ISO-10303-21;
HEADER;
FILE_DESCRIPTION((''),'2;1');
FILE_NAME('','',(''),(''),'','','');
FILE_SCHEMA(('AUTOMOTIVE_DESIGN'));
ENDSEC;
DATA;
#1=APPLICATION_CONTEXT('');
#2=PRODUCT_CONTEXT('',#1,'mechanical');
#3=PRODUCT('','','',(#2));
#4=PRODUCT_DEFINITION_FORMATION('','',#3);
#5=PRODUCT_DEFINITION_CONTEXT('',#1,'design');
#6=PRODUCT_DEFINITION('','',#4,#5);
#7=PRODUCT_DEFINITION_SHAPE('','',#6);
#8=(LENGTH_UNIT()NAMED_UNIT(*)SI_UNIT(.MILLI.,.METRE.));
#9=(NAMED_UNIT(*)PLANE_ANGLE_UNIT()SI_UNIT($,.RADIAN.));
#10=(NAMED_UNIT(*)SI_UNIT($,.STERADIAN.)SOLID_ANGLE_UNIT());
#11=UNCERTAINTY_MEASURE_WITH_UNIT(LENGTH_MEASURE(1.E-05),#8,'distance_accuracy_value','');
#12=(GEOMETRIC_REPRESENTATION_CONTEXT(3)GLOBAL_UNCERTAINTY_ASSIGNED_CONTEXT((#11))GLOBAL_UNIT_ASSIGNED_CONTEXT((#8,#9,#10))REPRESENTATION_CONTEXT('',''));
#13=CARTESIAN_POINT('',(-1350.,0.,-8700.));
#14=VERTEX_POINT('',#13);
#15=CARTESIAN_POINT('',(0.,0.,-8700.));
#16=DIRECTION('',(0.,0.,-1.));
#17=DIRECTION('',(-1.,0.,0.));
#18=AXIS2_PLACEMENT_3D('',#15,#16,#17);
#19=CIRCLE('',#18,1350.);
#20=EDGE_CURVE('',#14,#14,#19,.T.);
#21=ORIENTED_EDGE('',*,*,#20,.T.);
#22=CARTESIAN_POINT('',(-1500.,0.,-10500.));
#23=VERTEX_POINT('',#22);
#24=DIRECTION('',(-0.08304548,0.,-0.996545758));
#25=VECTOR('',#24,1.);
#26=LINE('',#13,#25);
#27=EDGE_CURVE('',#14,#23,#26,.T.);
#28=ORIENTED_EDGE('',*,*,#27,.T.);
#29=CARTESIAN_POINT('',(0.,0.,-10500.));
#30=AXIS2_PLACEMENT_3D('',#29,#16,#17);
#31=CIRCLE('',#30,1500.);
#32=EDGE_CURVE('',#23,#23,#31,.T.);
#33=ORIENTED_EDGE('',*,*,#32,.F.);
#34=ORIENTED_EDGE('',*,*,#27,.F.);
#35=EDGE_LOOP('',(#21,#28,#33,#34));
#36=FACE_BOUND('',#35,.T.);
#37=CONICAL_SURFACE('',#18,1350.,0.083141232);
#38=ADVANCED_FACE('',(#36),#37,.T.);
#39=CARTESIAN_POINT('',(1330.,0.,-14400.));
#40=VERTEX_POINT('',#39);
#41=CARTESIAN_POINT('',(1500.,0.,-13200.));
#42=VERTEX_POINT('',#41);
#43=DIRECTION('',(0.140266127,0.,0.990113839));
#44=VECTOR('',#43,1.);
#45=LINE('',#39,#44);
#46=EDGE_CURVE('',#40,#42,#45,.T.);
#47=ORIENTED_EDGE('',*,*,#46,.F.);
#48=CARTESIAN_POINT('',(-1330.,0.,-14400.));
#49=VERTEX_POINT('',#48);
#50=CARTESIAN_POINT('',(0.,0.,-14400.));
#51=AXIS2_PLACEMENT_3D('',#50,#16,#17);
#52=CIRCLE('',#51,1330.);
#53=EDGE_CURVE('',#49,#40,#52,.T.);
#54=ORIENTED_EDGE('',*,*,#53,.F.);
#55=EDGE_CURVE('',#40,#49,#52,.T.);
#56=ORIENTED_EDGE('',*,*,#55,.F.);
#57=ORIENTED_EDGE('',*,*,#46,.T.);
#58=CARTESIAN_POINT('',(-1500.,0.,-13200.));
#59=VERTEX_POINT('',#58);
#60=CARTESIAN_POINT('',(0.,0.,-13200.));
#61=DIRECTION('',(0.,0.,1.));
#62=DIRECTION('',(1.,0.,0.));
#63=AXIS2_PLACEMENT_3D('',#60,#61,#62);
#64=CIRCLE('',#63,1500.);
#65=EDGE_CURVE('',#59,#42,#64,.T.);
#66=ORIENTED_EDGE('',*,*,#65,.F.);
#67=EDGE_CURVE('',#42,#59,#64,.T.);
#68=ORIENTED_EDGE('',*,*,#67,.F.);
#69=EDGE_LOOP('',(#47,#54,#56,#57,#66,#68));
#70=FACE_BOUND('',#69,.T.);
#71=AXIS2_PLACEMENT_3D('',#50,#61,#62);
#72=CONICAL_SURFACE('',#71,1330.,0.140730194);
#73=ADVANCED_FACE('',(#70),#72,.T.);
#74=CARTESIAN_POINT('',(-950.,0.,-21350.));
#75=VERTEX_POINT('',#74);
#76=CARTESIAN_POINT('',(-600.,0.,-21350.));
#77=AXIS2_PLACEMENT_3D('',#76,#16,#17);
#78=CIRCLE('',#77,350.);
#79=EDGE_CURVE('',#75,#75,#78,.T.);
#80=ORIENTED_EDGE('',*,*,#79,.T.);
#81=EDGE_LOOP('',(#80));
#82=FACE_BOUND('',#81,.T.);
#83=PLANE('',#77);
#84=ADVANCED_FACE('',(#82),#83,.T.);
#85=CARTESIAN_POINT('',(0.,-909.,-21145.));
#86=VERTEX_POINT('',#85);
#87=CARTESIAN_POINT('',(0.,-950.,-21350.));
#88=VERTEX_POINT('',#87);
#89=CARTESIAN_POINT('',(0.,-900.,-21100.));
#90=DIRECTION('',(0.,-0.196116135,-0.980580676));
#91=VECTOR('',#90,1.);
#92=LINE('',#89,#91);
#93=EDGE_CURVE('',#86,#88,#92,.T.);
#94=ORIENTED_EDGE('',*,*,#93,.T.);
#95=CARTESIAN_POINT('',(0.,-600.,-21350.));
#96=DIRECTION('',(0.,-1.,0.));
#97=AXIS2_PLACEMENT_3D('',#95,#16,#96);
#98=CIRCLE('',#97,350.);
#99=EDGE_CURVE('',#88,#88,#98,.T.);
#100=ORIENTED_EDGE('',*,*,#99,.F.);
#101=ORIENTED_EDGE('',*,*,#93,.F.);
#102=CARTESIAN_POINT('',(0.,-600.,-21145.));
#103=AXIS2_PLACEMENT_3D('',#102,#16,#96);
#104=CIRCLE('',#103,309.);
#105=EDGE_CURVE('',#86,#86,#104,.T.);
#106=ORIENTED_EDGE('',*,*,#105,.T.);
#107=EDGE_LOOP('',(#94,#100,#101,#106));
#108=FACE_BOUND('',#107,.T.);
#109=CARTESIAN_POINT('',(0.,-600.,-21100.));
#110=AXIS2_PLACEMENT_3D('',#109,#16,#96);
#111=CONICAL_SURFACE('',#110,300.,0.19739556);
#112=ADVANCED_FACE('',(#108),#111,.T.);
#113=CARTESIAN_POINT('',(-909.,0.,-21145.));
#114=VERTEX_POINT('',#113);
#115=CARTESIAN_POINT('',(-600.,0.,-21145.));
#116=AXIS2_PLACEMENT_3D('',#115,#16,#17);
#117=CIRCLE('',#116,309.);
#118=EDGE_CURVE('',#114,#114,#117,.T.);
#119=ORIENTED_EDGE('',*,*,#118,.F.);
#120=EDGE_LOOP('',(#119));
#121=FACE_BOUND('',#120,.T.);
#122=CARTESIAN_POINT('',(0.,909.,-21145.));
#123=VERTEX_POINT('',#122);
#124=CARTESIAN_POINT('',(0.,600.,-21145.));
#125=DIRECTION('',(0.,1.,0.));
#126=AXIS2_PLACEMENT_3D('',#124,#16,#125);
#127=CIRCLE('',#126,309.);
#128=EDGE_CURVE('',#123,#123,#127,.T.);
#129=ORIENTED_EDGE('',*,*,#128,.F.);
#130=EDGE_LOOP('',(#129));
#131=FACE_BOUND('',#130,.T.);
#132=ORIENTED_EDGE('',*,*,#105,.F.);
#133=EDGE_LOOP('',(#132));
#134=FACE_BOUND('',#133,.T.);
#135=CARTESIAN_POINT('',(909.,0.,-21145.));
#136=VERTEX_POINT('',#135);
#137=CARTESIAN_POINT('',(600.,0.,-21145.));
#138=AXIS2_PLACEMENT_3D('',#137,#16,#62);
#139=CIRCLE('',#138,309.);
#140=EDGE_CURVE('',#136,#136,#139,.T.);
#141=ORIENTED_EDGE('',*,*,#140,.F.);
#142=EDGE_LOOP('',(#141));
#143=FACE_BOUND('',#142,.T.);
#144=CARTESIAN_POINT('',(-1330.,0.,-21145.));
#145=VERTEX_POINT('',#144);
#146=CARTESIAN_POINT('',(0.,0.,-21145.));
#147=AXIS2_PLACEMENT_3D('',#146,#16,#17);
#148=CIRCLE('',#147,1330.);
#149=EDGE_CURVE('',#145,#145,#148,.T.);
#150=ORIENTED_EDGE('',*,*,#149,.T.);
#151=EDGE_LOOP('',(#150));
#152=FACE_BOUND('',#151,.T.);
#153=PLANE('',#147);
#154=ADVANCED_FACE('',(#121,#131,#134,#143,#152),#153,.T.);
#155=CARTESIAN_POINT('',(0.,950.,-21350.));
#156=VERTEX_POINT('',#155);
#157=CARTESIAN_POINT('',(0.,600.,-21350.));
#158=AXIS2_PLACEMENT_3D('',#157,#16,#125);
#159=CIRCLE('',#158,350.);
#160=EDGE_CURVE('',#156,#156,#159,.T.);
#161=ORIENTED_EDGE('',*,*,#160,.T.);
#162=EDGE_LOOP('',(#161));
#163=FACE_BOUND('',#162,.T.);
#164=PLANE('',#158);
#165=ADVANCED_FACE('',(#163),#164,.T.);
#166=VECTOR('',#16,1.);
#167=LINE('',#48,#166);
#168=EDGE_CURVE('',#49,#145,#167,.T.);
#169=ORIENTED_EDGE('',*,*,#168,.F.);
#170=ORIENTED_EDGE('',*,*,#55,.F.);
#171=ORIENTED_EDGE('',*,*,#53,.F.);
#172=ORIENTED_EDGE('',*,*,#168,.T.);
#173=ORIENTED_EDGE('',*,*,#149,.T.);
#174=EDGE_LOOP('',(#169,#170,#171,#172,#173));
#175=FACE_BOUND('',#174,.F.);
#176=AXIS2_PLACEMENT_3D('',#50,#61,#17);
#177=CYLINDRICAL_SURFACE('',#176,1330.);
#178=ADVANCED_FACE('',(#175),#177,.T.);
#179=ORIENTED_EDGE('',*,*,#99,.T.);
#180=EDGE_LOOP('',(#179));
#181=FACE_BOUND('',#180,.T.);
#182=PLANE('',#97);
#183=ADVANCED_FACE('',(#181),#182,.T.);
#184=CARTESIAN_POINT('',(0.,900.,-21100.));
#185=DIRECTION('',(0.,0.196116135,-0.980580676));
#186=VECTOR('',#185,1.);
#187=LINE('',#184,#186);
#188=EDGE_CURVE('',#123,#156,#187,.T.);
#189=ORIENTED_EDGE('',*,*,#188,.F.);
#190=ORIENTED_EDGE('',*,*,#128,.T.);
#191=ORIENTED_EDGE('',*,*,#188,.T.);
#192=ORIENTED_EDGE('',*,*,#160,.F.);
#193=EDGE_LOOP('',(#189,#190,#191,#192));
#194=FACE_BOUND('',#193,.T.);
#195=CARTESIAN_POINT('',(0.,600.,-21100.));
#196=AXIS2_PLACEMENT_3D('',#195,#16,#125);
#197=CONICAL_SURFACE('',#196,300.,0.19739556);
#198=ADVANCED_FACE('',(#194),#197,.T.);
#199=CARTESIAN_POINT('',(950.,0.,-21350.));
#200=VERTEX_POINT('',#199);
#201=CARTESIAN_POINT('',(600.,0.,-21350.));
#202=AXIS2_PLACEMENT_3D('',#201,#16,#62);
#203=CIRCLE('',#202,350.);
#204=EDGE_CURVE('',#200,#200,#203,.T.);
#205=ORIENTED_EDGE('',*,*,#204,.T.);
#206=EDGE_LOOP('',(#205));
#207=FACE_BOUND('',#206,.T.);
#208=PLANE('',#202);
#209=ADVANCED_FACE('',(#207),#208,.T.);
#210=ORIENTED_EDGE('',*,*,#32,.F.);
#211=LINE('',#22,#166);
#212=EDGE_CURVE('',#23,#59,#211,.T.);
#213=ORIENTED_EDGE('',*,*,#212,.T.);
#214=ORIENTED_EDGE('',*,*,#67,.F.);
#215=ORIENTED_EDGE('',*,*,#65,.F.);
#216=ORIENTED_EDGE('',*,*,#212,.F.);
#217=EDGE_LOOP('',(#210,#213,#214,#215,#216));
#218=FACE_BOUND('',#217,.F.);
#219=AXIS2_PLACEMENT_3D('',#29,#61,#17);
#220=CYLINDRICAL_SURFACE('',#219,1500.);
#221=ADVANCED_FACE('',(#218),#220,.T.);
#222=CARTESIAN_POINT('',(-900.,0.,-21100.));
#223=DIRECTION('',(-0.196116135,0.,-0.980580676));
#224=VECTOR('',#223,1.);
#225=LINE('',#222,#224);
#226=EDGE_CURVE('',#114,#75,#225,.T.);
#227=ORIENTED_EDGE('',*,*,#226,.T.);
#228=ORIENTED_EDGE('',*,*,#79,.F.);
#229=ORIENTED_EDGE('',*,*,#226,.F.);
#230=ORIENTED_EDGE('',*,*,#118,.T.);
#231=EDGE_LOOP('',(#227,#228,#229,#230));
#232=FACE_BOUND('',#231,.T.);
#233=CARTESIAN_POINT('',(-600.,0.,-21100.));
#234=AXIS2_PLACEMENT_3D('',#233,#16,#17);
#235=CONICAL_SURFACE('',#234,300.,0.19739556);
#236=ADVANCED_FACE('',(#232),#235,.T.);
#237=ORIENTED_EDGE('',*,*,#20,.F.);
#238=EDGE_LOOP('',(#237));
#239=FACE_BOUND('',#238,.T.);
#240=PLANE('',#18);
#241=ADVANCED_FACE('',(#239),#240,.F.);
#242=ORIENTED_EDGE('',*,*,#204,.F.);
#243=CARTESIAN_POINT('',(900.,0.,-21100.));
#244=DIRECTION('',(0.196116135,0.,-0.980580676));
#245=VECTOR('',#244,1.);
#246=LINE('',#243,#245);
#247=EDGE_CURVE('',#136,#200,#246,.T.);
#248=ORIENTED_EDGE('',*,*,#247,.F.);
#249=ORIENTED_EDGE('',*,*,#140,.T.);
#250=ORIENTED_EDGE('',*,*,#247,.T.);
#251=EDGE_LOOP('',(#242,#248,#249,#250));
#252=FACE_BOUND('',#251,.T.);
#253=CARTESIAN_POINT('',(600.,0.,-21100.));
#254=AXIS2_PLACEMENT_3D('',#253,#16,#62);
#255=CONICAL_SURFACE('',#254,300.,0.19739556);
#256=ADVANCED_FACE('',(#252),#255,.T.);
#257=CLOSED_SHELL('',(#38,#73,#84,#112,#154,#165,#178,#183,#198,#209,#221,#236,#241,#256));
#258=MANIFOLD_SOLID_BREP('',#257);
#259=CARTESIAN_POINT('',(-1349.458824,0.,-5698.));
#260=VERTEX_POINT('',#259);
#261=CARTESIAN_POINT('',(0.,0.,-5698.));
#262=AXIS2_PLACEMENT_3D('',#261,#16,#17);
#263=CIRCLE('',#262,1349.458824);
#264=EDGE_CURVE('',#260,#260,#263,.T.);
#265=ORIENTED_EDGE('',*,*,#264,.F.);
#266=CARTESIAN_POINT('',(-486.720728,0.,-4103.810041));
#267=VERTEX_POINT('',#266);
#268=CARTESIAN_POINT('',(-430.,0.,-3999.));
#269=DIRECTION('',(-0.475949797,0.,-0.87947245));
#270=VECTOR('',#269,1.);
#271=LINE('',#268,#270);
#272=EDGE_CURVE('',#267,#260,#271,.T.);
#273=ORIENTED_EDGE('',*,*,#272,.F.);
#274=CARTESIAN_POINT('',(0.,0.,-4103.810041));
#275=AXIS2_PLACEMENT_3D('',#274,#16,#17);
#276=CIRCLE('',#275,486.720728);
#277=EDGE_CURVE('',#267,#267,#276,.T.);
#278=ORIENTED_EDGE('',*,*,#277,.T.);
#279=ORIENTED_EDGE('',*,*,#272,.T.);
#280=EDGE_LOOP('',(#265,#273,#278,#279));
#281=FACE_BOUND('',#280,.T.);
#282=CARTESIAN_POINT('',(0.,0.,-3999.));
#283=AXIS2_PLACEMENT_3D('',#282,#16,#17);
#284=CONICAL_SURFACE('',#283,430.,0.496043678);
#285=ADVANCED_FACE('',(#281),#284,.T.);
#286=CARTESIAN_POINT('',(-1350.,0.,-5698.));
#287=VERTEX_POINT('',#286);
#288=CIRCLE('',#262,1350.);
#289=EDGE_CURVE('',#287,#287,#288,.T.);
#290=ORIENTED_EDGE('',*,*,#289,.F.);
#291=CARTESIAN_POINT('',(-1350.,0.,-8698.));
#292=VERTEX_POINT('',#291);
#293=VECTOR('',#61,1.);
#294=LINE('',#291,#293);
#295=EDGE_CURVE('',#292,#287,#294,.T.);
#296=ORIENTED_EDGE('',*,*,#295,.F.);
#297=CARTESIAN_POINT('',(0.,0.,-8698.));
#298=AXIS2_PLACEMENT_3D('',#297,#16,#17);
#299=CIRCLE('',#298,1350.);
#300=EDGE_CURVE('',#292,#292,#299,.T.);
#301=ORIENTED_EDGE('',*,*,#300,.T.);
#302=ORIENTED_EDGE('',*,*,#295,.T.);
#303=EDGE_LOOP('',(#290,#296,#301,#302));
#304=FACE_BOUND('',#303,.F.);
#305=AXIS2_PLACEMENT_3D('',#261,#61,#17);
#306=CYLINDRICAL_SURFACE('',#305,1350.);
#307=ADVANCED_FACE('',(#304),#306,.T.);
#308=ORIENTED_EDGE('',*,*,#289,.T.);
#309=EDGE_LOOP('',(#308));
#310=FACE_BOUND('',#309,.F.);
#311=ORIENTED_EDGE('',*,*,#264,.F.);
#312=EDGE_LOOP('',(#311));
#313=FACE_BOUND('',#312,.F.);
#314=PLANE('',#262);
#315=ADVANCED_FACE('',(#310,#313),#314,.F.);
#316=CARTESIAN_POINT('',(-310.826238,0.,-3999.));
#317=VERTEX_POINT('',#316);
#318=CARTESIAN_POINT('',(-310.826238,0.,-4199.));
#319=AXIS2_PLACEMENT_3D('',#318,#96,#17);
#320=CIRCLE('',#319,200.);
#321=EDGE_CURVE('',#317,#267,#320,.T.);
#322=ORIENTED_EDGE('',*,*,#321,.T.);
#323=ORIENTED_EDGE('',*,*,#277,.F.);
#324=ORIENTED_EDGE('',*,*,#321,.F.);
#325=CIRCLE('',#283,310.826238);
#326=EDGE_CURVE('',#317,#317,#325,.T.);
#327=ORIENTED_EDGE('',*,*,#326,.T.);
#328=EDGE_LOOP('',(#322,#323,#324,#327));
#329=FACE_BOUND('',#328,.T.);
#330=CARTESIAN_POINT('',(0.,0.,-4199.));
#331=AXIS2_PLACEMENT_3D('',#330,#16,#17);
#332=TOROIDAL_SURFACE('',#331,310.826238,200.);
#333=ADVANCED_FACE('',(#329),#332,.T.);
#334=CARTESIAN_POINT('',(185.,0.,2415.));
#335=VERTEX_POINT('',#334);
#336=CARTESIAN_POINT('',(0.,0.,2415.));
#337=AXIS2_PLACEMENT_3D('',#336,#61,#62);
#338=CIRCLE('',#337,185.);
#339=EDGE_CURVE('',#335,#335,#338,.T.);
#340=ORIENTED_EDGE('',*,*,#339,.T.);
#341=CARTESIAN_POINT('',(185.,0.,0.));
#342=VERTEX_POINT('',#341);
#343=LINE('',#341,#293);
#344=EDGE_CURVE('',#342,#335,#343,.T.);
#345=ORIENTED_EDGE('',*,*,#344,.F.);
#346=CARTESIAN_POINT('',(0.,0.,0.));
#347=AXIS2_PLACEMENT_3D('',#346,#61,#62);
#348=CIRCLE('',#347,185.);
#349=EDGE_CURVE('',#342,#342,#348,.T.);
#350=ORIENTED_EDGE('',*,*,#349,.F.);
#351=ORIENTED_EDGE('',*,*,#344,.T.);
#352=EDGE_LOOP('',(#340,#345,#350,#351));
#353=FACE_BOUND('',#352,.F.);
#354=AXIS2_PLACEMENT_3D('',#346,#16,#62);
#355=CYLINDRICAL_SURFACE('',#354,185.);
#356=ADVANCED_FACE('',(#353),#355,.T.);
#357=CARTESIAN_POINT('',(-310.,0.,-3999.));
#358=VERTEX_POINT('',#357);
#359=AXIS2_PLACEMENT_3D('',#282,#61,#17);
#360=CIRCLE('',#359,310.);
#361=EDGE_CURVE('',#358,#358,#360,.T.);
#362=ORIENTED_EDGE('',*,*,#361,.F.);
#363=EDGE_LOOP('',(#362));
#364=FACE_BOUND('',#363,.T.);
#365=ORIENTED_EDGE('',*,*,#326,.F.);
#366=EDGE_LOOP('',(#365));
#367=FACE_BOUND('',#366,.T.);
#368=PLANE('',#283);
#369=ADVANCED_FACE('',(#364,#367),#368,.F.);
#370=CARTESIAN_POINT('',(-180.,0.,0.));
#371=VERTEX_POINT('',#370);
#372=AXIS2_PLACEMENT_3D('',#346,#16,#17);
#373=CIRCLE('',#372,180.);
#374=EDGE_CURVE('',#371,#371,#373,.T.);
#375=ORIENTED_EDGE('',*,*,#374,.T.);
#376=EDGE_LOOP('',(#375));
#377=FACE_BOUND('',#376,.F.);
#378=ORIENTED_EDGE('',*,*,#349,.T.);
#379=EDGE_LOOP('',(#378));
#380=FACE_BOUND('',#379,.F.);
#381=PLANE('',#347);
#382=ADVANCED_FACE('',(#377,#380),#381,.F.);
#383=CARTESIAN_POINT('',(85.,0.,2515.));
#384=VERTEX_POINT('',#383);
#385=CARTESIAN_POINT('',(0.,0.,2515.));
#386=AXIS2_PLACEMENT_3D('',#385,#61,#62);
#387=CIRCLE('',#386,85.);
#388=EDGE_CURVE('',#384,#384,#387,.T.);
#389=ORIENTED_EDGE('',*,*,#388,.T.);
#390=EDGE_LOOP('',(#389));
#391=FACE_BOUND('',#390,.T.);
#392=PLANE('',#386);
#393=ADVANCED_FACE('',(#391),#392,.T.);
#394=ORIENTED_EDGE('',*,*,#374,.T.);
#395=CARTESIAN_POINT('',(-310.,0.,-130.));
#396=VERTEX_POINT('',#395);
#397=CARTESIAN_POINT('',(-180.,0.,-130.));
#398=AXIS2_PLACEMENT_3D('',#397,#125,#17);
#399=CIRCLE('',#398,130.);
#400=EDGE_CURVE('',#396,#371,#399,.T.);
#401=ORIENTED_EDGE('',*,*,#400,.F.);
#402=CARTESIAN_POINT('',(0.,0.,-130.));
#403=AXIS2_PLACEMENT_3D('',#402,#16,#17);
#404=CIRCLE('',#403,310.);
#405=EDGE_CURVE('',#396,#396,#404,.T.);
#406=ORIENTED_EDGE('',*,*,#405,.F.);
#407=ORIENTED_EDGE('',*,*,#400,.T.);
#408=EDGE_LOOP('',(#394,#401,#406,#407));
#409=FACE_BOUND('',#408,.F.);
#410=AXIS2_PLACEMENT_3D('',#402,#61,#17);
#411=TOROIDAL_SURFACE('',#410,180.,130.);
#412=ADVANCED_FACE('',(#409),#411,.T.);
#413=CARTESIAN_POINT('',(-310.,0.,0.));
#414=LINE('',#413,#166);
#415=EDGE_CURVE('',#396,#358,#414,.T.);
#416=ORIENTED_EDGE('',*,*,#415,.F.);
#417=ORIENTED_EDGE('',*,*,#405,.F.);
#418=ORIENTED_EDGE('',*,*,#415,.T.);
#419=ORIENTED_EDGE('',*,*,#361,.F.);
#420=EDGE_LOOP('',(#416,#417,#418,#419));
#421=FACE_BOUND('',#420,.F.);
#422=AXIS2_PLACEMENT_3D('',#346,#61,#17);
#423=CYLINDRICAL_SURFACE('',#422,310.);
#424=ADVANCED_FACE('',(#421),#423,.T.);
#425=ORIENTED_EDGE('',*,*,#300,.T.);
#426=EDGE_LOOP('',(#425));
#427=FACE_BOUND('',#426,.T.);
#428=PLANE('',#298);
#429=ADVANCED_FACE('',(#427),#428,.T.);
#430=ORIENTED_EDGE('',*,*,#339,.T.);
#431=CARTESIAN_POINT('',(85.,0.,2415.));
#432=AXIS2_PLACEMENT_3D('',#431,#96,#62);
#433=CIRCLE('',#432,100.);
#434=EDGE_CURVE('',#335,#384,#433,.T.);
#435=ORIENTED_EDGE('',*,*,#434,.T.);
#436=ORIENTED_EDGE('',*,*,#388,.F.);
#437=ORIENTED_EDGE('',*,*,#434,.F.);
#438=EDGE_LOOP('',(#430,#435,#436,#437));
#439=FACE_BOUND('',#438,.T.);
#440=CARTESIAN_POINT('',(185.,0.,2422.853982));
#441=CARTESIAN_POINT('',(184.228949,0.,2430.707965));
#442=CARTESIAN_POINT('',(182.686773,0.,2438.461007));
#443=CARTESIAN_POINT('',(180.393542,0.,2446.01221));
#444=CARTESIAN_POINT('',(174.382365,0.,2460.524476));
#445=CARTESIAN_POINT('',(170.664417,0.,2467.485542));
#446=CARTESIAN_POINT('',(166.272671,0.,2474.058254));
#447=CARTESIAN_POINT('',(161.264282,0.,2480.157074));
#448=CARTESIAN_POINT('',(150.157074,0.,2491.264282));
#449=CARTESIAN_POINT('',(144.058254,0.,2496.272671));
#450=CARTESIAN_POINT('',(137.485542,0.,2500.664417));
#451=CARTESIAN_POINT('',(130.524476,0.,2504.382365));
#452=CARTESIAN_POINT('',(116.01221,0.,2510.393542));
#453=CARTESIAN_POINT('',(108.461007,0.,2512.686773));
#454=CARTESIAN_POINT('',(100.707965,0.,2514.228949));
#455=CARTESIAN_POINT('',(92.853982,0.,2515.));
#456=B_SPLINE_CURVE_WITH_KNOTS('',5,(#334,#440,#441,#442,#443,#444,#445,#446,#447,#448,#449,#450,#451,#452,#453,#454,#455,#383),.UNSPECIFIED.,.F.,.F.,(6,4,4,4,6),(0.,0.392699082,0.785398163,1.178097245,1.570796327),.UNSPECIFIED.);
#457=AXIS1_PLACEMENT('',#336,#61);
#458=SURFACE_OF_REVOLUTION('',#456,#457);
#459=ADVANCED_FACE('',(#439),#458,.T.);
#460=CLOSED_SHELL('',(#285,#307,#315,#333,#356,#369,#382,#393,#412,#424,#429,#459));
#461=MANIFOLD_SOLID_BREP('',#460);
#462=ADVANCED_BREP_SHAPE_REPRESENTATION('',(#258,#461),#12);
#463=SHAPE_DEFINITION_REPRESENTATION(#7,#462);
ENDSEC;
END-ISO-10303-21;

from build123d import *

# Parameters (mm, degrees)
CYLINDER004_R     = 1330
CYLINDER004_DEPTH = 6745
CYLINDER003_R     = 1500
CYLINDER003_DEPTH = 2700
CYLINDER002_R     = 1350
CYLINDER002_DEPTH = 3000
CYLINDER001_R     = 310
CYLINDER001_DEPTH = 4000
FILLET001_R       = 130
CYLINDER_R        = 185
CYLINDER_DEPTH    = 2515
FILLET_R          = 100
FILLET002_R       = 200
ARRAY_COUNT       = 4


with BuildPart() as cylinder004:
    # Cylinder004 → Cylinder004 (new body)
    with BuildSketch(Plane(origin=(0, 0, -14400), x_dir=(-1, 0, 0), z_dir=(0, 0, -1))):
        Circle(CYLINDER004_R)
    extrude(amount=CYLINDER004_DEPTH)


with BuildPart() as cone002:
    # Cone002 → Cone002 (revolve)
    with BuildSketch(Plane(origin=(0, 0, -14400), x_dir=(1, 0, 0), z_dir=(0, -1, 0))):
        Polygon((0, 0), (1330, 0), (1500, 1200), (0, 1200), align=None)
    revolve(axis=Axis((0, 0, -14400), (0, 0, 1)))


with BuildPart() as cylinder003:
    # Cylinder003 → Cylinder003 (new body)
    with BuildSketch(Plane(origin=(0, 0, -10500), x_dir=(-1, 0, 0), z_dir=(0, 0, -1))):
        Circle(CYLINDER003_R)
    extrude(amount=CYLINDER003_DEPTH)


with BuildPart() as cone001:
    # Cone001 → Cone001 (revolve)
    with BuildSketch(Plane(origin=(0, 0, -8700), x_dir=(-1, 0, 0), z_dir=(0, -1, 0))):
        Polygon((0, 0), (1350, 0), (1500, 1800), (0, 1800), align=None)
    revolve(axis=Axis((0, 0, -8700), (0, 0, -1)))


with BuildPart() as cylinder002:
    # Cylinder002 → Cylinder002 (new body)
    with BuildSketch(Plane(origin=(0, 0, -5698), x_dir=(-1, 0, 0), z_dir=(0, 0, -1))):
        Circle(CYLINDER002_R)
    extrude(amount=CYLINDER002_DEPTH)


with BuildPart() as fillet001:
    # Cylinder001 → Cylinder001 (new body)
    with BuildSketch(Plane(origin=(0, 0, 0), x_dir=(-1, 0, 0), z_dir=(0, 0, -1))):
        Circle(CYLINDER001_R)
    extrude(amount=CYLINDER001_DEPTH)

    # Fillet001
    fillet001_edges = [fillet001.edges().sort_by_distance(p)[0] for p in [
        (310, 0, 0),
    ]]
    fillet(fillet001_edges, radius=FILLET001_R)


with BuildPart() as cone:
    # Cone → Cone (revolve)
    with BuildSketch(Plane(origin=(0, 0, -3999), x_dir=(-1, 0, 0), z_dir=(0, -1, 0))):
        Polygon((0, 0), (430, 0), (1350, 1700), (0, 1700), align=None)
    revolve(axis=Axis((0, 0, -3999), (0, 0, -1)))


with BuildPart() as fillet002:
    # Cylinder → Cylinder (new body)
    with BuildSketch(Plane.XY):
        Circle(CYLINDER_R)
    extrude(amount=CYLINDER_DEPTH)

    # Fillet
    fillet_edges = [fillet002.edges().sort_by_distance(p)[0] for p in [
        (-185, 0, 2515),
    ]]
    fillet(fillet_edges, radius=FILLET_R)

    # Fusion: union Fillet001, Cone
    add(fillet001.part)
    add(cone.part)

    # Fillet002
    fillet002_edges = [fillet002.edges().sort_by_distance(p)[0] for p in [
        (430, 0, -3999),
    ]]
    fillet(fillet002_edges, radius=FILLET002_R)


with BuildPart() as fusion001:
    # Cone003 → Cone003 (revolve)
    with BuildSketch(Plane(origin=(-600, 0, -21100), x_dir=(-1, 0, 0), z_dir=(0, -1, 0))):
        Polygon((0, 0), (300, 0), (350, 250), (0, 250), align=None)
    revolve(axis=Axis((-600, 0, -21100), (0, 0, -1)))

    # Array: Fusion001 ×4 about axis
    array_axis = Axis((0, 0, 1), (0, 0, 1))


with BuildPart() as fusion001_1:
    add(fusion001.part)
    for i in range(1, ARRAY_COUNT):
        add(fusion001.part.rotate(array_axis, i * 360 / ARRAY_COUNT))

    # Fusion001: union Cylinder004, Cone002, Cylinder003, Cone001, Cylinder002, Fillet002
    add(cylinder004.part)
    add(cone002.part)
    add(cylinder003.part)
    add(cone001.part)
    add(cylinder002.part)
    add(fillet002.part)


solid = fusion001_1.part
